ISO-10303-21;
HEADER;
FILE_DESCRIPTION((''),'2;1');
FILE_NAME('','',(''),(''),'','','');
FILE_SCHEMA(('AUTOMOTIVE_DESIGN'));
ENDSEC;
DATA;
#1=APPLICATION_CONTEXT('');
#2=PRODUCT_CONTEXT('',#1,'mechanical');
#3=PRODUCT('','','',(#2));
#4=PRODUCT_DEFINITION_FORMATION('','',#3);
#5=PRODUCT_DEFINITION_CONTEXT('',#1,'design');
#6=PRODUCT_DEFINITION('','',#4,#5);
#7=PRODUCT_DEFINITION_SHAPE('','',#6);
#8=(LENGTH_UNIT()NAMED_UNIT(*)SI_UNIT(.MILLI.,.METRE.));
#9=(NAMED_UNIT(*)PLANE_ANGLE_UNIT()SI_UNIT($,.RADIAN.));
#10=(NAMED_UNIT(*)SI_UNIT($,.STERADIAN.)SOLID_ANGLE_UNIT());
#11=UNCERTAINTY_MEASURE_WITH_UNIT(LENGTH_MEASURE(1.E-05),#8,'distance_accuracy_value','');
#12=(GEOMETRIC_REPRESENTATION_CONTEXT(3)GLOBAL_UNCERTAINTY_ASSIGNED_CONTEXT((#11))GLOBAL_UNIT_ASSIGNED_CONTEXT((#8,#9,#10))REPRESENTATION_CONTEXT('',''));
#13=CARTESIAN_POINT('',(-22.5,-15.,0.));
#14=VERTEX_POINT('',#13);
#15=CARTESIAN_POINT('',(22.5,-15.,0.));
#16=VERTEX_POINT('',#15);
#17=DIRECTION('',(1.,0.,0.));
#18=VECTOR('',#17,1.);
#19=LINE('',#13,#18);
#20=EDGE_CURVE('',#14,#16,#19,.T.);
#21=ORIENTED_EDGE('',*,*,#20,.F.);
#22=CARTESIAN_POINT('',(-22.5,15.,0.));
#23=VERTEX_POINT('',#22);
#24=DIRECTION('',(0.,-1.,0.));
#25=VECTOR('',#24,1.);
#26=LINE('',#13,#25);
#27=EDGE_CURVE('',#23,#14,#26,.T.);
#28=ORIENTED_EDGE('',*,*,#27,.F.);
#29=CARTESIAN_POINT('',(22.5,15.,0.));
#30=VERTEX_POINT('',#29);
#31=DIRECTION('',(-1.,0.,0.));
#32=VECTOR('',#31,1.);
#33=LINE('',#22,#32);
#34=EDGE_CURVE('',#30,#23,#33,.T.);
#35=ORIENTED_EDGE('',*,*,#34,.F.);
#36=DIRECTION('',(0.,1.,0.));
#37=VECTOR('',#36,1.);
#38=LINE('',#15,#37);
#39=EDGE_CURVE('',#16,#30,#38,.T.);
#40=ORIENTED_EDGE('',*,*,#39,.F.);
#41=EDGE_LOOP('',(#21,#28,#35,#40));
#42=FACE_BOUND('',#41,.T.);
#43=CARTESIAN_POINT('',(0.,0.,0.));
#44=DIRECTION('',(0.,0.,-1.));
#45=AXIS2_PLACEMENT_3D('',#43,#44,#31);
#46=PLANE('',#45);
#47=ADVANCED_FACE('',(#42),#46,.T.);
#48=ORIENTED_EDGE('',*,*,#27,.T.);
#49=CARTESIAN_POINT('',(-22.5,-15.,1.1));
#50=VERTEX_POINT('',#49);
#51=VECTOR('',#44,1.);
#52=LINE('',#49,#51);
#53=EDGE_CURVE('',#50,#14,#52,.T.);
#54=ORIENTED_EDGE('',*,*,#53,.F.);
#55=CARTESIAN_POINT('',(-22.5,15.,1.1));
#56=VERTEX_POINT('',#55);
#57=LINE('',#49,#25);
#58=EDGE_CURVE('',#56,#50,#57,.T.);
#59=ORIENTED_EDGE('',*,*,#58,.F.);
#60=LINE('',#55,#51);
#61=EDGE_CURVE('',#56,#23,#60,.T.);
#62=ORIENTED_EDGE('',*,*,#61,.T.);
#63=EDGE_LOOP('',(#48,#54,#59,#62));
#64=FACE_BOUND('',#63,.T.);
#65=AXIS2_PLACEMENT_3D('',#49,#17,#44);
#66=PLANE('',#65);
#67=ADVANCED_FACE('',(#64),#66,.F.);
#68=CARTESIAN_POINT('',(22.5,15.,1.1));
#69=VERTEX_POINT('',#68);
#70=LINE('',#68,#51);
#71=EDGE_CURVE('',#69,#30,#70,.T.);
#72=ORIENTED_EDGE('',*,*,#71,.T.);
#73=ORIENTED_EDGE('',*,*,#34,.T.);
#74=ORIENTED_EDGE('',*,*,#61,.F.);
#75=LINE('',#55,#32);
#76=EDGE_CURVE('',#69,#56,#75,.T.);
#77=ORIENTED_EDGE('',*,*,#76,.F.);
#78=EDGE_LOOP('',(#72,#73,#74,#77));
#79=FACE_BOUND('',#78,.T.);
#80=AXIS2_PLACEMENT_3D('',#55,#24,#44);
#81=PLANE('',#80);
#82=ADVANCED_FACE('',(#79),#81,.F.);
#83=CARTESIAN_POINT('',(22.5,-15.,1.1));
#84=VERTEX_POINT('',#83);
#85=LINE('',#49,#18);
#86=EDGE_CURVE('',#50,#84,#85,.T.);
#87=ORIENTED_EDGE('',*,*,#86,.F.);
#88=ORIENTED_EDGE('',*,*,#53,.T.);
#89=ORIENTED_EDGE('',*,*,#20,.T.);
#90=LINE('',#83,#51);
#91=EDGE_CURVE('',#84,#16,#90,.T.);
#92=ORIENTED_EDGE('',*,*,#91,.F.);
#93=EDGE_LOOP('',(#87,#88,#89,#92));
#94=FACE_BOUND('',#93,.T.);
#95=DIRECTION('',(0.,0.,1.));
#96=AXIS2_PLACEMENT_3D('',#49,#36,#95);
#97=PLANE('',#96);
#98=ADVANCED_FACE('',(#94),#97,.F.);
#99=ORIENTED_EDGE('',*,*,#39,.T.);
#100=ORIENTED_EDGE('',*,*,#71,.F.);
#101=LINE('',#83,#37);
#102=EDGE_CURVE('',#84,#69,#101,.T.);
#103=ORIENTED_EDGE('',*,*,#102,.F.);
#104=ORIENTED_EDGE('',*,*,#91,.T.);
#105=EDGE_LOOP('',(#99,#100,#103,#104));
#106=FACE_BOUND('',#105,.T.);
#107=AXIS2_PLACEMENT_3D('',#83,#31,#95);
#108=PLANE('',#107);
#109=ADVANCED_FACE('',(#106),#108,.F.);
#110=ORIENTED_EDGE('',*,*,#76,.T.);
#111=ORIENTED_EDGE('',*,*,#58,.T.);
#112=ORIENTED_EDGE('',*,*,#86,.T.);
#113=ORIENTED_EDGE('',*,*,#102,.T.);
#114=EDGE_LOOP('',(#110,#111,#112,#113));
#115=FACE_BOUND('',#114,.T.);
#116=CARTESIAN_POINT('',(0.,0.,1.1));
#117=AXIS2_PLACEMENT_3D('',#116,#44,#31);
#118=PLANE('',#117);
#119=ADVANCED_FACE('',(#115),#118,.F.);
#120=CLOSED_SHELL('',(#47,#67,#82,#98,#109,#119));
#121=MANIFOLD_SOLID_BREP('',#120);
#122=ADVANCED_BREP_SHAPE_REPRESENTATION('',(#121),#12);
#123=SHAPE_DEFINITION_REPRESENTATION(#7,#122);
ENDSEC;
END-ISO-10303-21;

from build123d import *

# Parameters (mm, degrees)
SKETCH_1_W      = 45
SKETCH_1_H      = 30
EXTRUDE_1_DEPTH = 1.1


with BuildPart() as part:
    # 草图1 → 凸台-拉伸1 (new body)
    with BuildSketch(Plane.XY):
        Rectangle(SKETCH_1_W, SKETCH_1_H)
    extrude(amount=EXTRUDE_1_DEPTH)


solid = part.part
